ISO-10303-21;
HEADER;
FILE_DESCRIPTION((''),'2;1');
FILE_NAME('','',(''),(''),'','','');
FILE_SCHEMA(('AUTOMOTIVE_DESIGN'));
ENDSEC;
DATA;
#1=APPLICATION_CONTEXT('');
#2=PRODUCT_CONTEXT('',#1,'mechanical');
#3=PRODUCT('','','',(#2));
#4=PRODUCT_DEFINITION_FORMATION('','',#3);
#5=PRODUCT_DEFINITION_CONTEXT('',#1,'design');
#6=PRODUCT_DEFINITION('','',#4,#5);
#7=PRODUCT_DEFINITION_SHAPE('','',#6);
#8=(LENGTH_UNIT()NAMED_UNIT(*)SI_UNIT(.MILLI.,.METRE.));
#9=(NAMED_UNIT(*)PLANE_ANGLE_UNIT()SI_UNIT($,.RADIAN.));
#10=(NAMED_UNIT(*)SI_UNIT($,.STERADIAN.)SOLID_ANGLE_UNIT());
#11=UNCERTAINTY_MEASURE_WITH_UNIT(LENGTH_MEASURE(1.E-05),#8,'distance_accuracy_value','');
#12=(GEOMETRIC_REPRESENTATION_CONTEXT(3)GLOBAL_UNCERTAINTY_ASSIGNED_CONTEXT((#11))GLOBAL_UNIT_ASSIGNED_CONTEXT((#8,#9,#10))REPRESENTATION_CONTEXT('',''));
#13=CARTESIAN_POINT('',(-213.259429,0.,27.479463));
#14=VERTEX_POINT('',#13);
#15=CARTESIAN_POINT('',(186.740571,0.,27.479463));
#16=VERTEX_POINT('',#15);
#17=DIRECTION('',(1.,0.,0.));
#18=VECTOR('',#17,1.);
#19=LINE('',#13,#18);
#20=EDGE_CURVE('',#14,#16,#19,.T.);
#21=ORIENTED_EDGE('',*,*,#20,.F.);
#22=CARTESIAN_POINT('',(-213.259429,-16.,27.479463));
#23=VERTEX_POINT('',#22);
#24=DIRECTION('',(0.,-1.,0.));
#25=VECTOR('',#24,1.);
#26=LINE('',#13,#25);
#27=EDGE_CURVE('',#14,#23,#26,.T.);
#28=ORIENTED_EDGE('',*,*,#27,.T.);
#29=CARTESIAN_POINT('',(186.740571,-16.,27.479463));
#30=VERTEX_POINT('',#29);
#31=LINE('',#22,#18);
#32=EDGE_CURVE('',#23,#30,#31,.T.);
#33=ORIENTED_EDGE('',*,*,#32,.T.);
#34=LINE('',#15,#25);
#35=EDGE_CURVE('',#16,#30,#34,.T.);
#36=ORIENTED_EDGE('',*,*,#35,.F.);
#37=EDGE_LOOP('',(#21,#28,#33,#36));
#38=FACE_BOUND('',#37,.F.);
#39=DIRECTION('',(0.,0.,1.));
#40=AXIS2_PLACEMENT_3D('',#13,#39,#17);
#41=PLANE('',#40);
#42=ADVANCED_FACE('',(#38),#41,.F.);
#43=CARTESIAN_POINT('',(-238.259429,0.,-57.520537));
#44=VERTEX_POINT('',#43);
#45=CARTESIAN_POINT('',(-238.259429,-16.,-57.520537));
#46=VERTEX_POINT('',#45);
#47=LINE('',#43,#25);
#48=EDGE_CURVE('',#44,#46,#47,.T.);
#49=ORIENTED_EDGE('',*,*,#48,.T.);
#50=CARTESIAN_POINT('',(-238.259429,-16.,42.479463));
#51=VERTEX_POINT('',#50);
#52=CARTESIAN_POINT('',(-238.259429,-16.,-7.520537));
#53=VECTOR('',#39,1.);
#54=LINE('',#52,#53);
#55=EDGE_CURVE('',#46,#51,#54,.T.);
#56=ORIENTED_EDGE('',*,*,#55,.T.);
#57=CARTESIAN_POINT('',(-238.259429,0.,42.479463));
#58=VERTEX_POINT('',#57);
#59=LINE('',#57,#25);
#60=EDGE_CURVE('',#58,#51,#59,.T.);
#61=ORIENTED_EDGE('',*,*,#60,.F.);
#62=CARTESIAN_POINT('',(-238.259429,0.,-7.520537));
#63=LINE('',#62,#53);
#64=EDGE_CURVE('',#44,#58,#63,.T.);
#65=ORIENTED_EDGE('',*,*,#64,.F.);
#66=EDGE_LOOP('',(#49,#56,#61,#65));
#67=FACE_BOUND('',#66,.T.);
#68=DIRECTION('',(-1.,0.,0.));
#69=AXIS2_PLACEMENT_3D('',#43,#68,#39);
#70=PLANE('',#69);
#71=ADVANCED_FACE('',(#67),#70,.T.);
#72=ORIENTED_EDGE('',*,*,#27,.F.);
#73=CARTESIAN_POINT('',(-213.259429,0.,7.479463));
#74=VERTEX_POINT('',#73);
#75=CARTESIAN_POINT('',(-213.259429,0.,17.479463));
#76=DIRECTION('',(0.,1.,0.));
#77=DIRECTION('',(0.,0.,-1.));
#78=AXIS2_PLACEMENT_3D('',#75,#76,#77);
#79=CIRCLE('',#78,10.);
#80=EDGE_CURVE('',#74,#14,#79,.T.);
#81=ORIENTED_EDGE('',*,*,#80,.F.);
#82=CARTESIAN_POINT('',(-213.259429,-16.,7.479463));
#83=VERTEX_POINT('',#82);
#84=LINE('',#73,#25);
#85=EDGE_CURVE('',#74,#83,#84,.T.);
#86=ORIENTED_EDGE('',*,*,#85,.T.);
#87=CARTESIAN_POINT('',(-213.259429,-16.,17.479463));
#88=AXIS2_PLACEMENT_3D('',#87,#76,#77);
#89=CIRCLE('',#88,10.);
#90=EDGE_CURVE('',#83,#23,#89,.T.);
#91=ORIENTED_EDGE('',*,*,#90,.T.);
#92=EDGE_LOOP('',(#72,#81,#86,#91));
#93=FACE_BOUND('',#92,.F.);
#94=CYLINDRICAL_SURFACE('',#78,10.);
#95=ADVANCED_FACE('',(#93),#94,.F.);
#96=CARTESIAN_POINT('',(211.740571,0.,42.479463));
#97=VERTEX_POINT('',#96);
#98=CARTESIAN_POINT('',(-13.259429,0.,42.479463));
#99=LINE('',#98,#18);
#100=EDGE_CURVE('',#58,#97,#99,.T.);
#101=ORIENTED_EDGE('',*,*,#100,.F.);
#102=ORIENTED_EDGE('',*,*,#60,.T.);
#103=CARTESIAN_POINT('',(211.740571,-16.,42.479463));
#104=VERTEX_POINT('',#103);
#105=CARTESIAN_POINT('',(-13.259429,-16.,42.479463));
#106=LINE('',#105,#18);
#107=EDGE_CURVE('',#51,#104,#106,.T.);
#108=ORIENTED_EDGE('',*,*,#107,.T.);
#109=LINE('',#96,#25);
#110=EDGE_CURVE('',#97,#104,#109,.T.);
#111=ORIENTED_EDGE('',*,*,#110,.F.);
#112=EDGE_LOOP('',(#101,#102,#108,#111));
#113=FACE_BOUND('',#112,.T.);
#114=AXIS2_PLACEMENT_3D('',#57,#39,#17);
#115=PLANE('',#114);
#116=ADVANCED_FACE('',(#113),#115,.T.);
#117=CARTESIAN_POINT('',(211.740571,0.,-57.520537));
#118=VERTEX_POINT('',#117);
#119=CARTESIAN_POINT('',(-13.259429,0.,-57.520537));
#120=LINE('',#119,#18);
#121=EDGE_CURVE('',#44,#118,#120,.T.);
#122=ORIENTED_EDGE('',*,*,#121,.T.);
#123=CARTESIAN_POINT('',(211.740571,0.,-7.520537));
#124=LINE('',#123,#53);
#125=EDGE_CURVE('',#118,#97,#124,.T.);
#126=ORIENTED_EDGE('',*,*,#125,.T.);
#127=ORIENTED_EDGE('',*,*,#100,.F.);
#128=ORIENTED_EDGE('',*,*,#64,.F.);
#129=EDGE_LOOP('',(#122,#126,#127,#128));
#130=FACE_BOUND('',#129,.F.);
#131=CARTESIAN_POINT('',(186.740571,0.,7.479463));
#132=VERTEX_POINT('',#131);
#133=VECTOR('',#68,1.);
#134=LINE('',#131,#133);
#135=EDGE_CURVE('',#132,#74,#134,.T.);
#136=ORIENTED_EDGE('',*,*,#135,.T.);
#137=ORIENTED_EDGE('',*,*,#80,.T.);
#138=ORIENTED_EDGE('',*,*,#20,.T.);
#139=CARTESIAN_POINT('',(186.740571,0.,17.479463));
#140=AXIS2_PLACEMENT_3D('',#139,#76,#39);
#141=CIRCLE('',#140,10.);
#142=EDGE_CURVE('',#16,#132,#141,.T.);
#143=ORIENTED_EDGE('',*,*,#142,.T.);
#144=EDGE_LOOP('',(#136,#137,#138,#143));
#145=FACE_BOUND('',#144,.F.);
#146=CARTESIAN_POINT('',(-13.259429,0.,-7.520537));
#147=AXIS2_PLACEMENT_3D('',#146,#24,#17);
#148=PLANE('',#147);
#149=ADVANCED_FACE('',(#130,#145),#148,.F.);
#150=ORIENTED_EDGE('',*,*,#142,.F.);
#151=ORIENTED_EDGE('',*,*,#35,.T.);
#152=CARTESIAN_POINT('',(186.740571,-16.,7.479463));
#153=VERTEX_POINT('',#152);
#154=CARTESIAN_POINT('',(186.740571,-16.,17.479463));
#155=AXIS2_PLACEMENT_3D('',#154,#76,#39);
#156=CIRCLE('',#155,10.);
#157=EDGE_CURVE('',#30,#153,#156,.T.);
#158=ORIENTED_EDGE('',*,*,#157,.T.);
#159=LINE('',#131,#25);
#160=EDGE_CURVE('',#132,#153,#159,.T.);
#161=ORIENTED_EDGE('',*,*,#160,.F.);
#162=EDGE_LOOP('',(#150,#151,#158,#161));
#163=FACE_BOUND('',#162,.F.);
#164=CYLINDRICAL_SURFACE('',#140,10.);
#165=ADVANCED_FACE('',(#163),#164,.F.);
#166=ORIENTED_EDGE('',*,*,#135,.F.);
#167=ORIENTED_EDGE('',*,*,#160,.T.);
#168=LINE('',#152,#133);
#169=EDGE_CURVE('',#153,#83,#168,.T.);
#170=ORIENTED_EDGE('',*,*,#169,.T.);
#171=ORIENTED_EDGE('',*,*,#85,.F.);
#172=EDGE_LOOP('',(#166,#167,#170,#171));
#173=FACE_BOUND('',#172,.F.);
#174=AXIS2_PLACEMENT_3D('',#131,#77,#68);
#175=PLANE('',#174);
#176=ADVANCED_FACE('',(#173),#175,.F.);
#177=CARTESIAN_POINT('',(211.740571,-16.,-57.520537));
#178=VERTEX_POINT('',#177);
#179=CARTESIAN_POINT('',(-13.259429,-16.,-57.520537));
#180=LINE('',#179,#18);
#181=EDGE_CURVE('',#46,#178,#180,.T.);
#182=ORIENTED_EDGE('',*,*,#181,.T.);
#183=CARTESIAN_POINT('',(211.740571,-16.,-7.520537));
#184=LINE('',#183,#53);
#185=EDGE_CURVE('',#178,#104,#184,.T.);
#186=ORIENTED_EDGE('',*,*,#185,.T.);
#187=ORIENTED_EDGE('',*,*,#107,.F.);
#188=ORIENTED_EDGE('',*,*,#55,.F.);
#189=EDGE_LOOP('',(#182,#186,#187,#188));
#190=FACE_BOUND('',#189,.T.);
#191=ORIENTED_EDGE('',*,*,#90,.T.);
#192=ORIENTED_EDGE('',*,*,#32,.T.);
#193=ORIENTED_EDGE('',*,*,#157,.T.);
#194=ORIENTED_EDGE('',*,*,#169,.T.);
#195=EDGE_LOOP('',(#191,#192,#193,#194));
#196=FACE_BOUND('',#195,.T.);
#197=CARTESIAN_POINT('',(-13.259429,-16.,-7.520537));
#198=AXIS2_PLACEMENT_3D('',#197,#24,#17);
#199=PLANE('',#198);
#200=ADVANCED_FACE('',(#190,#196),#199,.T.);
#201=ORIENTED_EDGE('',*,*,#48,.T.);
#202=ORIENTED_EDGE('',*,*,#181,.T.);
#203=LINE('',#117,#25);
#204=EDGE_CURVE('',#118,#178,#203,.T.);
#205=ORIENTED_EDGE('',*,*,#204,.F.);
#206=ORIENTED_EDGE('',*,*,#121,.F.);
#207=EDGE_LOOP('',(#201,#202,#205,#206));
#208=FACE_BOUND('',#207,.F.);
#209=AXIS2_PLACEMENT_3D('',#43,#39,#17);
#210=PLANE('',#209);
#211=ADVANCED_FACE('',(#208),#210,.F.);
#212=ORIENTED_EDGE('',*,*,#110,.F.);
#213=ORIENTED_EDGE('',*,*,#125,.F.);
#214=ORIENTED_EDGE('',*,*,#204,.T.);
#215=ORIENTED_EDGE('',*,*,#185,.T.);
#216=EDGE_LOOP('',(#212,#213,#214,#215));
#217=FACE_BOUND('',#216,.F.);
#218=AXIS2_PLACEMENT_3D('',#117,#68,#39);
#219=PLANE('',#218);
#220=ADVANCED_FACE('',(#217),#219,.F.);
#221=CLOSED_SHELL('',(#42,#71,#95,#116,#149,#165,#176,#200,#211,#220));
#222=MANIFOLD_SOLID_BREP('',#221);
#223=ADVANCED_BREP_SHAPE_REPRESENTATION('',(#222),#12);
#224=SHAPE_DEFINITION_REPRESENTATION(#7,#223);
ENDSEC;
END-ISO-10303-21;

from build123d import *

# Parameters (mm, degrees)
F0_W     = 450
F0_H     = 100
F1_DEPTH = 16


with BuildPart() as f1:
    # F0 (on Front) → F1 (new body)
    with BuildSketch(Plane.XZ):
        with Locations((-13.259429, -7.520537)):
            Rectangle(F0_W, F0_H)
        with BuildLine():
            ThreePointArc((-213.259429, 7.479463), (-223.259429, 17.479463), (-213.259429, 27.479463))
            Line((-213.259429, 27.479463), (186.740571, 27.479463))
            ThreePointArc((186.740571, 27.479463), (196.740571, 17.479463), (186.740571, 7.479463))
            Line((186.740571, 7.479463), (-213.259429, 7.479463))
        make_face(mode=Mode.SUBTRACT)
    extrude(amount=F1_DEPTH)


solid = f1.part
